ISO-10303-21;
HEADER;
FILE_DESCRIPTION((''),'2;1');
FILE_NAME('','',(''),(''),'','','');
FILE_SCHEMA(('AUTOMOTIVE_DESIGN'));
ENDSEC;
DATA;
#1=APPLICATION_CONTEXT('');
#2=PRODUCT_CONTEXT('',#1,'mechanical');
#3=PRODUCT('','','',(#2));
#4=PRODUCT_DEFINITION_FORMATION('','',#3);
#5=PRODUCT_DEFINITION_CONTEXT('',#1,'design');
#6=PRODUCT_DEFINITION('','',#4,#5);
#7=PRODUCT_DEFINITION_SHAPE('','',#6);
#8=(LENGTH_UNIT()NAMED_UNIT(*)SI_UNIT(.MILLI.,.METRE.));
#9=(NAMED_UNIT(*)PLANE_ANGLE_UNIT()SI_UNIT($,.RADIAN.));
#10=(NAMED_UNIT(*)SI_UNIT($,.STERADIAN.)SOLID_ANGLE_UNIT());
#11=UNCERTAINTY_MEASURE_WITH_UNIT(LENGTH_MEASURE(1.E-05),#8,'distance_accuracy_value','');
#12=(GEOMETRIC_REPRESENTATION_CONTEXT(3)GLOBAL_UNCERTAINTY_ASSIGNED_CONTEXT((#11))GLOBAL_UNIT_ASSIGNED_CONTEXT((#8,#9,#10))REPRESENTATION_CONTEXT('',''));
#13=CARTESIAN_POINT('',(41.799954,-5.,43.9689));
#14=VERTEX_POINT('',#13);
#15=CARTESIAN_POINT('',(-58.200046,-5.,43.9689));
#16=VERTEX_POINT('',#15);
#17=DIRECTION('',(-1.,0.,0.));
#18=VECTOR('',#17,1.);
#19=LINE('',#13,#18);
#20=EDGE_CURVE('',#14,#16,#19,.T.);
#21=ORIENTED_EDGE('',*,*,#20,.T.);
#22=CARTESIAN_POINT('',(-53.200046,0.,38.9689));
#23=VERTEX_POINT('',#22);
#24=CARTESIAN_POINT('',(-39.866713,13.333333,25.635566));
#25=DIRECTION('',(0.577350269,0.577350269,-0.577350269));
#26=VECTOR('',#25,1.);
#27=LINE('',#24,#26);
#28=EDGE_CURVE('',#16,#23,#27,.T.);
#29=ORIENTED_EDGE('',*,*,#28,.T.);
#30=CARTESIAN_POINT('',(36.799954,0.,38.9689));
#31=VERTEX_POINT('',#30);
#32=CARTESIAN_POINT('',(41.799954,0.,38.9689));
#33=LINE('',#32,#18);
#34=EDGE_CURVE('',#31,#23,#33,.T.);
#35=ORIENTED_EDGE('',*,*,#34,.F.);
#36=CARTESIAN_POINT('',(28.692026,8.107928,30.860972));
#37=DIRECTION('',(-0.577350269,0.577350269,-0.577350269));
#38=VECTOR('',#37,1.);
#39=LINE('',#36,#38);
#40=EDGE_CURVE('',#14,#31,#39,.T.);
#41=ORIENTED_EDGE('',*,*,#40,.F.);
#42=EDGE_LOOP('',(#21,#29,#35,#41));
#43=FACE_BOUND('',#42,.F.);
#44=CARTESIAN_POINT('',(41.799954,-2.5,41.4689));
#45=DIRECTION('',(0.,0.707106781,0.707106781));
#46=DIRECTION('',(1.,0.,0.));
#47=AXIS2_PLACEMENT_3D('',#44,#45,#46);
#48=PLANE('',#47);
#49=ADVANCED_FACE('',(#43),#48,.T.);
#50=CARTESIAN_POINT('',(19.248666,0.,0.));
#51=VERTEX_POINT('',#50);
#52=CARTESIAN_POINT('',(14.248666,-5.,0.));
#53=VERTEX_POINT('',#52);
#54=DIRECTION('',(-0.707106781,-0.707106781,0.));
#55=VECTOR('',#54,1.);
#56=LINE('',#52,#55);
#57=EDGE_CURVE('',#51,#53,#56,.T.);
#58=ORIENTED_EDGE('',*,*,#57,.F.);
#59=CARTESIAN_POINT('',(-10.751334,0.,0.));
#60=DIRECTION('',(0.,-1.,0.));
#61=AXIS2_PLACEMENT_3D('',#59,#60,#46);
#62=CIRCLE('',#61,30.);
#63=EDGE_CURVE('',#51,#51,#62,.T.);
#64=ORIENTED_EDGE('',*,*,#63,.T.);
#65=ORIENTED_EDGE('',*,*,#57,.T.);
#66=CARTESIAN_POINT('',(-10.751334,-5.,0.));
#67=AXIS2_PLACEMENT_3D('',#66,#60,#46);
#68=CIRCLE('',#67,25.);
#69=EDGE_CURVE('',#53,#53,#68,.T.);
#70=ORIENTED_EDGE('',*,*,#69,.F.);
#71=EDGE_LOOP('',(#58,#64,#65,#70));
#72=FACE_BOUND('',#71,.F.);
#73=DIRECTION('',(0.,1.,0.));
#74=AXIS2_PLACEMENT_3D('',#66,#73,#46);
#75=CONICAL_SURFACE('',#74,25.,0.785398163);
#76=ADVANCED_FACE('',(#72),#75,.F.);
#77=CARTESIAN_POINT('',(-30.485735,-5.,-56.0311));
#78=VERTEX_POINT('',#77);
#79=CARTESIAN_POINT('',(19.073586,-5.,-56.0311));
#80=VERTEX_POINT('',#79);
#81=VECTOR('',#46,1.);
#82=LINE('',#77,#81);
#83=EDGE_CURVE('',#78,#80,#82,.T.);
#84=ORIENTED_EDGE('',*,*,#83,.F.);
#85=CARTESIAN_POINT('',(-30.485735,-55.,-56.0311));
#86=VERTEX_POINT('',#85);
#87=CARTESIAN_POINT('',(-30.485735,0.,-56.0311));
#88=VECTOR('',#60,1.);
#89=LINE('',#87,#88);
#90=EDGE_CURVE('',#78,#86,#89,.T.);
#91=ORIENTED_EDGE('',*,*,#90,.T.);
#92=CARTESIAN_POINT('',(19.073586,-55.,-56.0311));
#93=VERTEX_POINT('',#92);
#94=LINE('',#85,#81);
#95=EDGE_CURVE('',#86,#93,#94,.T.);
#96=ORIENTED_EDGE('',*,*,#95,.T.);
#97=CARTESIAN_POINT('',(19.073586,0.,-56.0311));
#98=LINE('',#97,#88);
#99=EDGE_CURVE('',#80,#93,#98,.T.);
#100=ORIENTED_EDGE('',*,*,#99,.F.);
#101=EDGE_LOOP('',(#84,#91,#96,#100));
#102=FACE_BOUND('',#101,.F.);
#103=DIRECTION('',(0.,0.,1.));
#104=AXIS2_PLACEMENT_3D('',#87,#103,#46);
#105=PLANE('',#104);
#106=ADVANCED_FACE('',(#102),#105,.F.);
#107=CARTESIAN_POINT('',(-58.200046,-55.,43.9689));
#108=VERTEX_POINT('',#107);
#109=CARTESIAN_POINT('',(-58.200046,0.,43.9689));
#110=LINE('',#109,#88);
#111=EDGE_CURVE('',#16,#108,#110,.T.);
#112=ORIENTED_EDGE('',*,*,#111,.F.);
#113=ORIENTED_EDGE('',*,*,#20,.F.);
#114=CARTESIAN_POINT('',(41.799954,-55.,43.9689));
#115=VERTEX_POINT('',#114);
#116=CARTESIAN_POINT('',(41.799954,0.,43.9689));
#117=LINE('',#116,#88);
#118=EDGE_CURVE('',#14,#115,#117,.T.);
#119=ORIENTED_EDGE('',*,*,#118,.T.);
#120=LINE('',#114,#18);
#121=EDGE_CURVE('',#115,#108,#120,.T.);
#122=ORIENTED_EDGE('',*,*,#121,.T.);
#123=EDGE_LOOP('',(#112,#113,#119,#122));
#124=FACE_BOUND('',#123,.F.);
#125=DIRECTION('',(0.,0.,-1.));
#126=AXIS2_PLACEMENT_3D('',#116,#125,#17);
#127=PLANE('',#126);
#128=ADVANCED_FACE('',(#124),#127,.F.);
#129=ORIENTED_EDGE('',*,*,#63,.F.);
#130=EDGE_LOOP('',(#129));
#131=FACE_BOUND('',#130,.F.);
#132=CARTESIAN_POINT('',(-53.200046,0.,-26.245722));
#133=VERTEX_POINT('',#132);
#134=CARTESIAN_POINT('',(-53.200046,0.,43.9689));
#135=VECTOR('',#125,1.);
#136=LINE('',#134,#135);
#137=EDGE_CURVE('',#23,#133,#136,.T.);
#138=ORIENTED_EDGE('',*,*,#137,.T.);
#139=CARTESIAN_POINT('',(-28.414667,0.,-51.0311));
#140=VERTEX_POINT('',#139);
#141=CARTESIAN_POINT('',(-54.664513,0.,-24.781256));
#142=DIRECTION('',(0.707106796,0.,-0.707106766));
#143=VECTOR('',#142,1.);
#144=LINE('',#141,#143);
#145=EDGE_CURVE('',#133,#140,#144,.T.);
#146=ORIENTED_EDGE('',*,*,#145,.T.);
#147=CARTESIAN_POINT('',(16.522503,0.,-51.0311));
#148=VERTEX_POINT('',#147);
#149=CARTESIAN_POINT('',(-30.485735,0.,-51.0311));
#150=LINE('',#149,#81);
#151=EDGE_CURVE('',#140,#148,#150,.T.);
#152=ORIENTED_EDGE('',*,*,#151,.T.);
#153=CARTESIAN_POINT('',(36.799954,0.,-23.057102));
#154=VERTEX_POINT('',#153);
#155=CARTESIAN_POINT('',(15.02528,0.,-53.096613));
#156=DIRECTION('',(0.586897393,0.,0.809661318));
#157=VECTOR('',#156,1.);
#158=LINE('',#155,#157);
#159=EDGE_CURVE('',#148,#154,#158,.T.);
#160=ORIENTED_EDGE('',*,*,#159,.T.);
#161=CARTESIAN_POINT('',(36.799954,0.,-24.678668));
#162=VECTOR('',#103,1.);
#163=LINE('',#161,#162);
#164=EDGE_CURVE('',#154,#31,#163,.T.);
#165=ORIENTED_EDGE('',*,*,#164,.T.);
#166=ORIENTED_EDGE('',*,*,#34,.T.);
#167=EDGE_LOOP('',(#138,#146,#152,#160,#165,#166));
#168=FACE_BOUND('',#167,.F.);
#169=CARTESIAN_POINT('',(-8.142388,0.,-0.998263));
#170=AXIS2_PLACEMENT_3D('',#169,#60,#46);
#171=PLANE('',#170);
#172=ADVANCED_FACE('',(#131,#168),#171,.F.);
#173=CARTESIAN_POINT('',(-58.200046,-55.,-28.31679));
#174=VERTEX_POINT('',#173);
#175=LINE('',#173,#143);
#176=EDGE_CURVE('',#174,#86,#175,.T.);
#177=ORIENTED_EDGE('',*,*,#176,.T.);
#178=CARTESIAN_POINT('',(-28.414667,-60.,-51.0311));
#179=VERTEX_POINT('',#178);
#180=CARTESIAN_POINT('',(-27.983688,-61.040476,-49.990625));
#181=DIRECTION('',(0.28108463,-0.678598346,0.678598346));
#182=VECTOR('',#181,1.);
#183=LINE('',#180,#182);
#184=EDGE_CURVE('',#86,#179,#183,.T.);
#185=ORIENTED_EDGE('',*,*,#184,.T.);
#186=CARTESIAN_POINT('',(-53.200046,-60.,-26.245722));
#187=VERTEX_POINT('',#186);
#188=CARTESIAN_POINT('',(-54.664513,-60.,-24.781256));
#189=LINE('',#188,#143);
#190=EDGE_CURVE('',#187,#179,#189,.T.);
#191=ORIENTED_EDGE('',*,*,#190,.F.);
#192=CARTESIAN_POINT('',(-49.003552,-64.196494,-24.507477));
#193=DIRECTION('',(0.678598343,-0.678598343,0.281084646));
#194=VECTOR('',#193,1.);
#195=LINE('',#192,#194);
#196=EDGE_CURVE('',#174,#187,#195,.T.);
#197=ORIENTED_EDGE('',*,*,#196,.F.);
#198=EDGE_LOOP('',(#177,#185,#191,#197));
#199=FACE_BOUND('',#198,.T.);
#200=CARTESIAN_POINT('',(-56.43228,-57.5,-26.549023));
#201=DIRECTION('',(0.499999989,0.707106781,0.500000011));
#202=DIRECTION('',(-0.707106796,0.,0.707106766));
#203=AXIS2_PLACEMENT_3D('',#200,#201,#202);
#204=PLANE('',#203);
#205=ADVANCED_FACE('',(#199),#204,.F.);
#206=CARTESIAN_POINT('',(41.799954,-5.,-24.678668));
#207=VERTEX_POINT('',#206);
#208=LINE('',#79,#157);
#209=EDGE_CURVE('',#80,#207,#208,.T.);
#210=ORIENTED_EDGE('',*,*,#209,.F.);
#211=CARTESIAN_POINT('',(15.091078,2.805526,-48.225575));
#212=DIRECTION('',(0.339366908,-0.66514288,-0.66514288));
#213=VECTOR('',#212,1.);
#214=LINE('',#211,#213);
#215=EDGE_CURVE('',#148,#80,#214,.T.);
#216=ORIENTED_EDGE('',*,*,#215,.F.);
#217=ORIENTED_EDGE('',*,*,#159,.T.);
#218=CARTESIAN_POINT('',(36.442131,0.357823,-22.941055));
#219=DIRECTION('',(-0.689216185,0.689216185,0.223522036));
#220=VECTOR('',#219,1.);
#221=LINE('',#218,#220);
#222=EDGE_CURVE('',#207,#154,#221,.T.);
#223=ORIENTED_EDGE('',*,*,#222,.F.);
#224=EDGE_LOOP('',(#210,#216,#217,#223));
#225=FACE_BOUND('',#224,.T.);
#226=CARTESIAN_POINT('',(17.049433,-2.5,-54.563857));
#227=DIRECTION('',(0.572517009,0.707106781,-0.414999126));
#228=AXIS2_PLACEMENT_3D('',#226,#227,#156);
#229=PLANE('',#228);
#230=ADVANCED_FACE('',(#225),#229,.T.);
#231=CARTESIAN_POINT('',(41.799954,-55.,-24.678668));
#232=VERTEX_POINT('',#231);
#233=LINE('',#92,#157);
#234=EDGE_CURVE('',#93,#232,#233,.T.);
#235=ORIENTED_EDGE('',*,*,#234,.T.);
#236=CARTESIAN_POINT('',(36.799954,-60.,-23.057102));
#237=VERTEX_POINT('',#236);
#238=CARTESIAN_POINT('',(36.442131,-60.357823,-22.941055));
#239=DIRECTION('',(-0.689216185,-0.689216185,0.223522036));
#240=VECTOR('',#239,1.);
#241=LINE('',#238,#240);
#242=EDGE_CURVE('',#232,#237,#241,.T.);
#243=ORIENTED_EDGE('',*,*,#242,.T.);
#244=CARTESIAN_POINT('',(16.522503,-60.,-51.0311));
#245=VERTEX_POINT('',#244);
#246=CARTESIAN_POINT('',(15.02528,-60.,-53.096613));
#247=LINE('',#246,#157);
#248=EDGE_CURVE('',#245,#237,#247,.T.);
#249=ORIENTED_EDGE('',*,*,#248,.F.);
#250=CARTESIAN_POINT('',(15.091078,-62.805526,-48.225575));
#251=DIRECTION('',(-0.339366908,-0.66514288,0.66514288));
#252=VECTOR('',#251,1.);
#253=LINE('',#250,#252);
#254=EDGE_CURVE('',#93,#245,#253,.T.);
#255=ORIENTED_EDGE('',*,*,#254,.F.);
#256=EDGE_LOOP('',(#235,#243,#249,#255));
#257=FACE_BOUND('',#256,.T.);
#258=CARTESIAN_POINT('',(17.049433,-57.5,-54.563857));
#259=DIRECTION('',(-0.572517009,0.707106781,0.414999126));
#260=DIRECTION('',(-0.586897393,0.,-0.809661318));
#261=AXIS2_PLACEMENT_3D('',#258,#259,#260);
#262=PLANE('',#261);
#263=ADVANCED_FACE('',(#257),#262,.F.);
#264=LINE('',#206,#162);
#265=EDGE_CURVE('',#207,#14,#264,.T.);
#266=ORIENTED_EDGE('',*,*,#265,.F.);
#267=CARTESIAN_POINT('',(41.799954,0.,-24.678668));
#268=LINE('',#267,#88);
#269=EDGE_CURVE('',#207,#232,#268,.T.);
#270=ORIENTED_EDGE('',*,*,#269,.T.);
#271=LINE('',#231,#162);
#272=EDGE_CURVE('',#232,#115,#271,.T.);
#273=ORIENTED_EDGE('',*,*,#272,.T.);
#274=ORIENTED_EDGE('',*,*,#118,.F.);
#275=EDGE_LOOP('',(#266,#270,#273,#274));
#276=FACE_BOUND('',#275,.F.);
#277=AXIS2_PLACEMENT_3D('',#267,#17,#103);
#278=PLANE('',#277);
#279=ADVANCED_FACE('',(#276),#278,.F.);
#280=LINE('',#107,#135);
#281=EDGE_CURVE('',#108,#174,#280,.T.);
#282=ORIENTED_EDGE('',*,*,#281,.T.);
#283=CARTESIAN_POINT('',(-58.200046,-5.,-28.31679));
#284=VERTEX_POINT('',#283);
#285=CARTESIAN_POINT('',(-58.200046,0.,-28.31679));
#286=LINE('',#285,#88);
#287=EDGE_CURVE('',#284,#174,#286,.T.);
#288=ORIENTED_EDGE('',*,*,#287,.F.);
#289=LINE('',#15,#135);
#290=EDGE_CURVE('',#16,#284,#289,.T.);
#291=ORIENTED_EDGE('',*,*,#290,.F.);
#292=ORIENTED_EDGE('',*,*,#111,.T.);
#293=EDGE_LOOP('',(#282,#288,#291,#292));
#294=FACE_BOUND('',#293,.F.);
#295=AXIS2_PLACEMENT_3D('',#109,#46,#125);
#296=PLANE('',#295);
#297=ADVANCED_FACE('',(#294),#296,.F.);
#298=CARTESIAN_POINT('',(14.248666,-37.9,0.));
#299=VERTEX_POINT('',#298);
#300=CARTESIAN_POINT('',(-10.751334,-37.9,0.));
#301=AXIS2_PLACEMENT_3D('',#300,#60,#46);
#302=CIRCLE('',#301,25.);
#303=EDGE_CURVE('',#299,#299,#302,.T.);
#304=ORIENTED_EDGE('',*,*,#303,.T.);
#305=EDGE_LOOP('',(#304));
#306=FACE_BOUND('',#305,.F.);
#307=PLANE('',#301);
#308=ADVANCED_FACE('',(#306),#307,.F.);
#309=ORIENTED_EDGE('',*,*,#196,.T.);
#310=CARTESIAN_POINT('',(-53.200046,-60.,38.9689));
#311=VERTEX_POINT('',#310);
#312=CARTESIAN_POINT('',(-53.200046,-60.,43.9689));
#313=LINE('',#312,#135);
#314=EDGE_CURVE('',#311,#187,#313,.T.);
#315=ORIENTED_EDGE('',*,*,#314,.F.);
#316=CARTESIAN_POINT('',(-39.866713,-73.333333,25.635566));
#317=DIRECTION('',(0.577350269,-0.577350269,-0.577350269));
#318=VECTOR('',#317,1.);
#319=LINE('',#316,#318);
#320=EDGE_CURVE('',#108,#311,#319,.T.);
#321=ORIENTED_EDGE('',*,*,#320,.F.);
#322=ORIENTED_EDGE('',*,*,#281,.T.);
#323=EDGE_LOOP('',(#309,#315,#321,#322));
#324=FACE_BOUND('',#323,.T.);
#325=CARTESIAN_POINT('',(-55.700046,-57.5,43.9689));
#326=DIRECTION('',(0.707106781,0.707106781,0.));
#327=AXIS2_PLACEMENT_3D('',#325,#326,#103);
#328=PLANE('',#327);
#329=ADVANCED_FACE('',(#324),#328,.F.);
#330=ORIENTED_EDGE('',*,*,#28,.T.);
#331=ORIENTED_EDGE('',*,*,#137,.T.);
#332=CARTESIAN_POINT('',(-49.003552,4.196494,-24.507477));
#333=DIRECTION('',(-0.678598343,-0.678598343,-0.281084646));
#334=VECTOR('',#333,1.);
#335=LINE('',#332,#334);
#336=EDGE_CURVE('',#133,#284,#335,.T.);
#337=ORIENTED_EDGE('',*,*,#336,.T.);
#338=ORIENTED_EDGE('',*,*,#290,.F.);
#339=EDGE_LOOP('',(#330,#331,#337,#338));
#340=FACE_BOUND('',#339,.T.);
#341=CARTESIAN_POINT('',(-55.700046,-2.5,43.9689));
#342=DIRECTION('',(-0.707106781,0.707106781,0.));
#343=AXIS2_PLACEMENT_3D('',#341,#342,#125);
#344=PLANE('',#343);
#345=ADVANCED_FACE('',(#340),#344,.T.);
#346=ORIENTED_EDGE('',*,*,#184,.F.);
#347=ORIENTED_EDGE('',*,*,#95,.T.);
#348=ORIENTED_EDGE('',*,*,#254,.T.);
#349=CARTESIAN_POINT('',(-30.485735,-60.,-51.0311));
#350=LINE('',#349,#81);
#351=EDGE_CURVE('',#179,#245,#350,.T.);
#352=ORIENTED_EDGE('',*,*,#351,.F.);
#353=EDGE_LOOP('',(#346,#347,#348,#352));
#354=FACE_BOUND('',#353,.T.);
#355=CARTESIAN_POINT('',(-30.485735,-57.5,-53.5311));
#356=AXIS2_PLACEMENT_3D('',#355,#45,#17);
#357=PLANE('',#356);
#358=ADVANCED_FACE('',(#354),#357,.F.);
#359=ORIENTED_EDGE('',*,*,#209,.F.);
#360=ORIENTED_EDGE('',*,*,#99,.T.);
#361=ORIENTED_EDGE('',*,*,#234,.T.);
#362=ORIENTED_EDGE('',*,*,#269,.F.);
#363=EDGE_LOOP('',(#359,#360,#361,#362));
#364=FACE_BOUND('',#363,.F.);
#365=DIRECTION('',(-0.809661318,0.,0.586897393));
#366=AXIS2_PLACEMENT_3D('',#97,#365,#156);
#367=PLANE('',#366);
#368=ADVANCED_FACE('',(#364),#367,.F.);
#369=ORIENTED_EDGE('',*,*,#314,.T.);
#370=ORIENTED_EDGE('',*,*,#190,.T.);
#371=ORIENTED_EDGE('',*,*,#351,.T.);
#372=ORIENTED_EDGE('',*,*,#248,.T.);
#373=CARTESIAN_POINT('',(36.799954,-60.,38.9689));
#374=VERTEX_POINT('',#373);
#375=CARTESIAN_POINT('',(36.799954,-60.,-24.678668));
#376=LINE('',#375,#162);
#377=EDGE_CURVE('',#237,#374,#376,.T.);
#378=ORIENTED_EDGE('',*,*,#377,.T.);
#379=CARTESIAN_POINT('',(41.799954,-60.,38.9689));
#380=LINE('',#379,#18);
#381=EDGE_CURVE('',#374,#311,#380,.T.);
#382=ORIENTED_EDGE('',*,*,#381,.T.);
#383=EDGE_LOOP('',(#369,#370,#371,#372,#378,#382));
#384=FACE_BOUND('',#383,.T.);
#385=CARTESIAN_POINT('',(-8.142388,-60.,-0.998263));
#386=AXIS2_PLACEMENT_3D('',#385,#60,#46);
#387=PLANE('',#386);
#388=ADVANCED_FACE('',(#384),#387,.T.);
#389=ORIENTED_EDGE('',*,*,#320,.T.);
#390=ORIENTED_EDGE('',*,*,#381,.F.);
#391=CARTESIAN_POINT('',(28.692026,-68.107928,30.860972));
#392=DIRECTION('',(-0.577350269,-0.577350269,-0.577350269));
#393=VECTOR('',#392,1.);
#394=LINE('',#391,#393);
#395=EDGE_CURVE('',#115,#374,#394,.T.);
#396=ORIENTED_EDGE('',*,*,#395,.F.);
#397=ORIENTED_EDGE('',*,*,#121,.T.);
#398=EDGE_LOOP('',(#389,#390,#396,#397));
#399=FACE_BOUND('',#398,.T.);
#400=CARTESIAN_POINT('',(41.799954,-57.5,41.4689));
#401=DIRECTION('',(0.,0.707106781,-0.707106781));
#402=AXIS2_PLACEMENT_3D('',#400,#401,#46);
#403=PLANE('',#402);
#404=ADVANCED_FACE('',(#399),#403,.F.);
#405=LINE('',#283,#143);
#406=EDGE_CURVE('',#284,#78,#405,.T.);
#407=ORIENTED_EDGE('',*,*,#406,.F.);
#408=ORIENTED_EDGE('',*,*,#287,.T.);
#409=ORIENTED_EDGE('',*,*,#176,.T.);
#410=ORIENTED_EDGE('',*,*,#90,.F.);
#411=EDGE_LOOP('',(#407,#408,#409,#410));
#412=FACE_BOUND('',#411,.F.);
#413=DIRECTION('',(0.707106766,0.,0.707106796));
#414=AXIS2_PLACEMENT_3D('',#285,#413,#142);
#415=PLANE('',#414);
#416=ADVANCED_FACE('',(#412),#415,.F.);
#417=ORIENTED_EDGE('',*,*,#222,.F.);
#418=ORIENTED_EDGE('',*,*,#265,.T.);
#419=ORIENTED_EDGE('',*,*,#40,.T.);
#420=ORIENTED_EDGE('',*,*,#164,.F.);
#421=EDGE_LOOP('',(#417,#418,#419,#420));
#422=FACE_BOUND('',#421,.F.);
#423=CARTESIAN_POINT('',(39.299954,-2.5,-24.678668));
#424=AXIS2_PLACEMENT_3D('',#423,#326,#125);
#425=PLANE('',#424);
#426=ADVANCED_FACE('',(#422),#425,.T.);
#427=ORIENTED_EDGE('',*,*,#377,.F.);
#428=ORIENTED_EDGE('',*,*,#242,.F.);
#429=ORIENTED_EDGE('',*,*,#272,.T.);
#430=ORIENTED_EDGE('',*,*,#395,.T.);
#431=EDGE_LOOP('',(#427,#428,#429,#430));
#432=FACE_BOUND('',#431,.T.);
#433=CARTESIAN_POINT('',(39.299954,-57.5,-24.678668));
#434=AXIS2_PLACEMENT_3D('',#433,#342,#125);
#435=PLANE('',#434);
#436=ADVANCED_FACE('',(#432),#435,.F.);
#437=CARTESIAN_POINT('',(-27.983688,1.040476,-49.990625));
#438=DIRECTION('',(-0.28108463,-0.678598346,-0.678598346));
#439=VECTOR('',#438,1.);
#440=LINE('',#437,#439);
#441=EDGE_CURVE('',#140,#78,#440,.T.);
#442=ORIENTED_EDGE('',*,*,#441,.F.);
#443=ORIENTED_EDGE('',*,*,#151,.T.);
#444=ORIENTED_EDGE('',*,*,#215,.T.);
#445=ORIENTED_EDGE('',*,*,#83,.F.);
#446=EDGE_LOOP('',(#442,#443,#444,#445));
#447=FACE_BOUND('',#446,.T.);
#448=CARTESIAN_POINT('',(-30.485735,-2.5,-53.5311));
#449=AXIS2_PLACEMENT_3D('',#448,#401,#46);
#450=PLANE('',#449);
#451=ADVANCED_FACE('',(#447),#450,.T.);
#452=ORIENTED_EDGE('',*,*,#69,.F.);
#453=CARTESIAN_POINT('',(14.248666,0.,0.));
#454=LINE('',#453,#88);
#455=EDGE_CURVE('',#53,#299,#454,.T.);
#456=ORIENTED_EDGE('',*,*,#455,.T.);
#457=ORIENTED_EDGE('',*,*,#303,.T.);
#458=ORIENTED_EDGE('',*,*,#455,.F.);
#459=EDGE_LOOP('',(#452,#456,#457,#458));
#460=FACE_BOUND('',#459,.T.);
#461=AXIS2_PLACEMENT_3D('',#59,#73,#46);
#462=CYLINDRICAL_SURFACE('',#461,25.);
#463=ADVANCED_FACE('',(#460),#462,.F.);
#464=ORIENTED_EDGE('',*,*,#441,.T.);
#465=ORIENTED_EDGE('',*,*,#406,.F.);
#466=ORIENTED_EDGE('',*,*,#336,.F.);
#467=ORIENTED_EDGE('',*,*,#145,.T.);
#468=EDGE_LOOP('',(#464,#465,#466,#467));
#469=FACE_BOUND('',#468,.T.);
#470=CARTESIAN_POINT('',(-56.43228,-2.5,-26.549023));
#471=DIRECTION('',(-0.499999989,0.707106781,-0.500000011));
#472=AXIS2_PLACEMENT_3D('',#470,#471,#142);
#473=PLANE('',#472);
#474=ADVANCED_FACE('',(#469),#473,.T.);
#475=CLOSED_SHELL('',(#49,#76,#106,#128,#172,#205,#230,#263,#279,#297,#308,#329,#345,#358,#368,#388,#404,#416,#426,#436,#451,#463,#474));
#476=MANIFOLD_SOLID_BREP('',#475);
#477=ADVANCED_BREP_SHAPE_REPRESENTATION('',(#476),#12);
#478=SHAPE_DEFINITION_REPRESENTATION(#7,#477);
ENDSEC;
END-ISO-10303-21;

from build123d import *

# Parameters (mm, degrees)
F1_DEPTH = 60
F2_SIZE  = 5
F3_R     = 25
F4_DEPTH = 25
F5_DEPTH = 25
F6_DEPTH = 37.9
F7_SIZE  = 5


with BuildPart() as f1:
    # F0 (on Front) → F1 (new body)
    with BuildSketch(Plane.XZ):
        Polygon((41.7999535799, 43.9688995481), (-58.2000464201, 43.9688995481), (-58.2000464201, -28.3167899087), (-30.4857346934, -56.0311004519), (19.0735861891, -56.0311004519), (41.7999535799, -24.6786684919), align=None)
    extrude(amount=F1_DEPTH)

    # F2
    f2_edges = [f1.edges().sort_by_distance(p)[0] for p in [
        (41.799954, -60, 9.645116),
        (-8.200046, -60, 43.9689),
        (-58.200046, -60, 7.826055),
        (-44.342891, -60, -42.173945),
        (-5.706074, -60, -56.0311),
        (30.43677, -60, -40.354884),
    ]]
    chamfer(f2_edges, length=F2_SIZE)

    # F3 (on Front) → F4 (cut)
    with BuildSketch(Plane.XZ):
        with Locations((-10.7513342236, 0)):
            Circle(F3_R)
    extrude(amount=-F4_DEPTH, mode=Mode.SUBTRACT)

    # F3 (on Front) → F5 (cut)
    with BuildSketch(Plane.XZ):
        with Locations((-10.7513342236, 0)):
            Circle(F3_R)
    extrude(amount=-F5_DEPTH, mode=Mode.SUBTRACT)

    # F3 (on Front) → F6 (cut)
    with BuildSketch(Plane.XZ):
        with Locations((-10.7513342236, 0)):
            Circle(F3_R)
    extrude(amount=F6_DEPTH, mode=Mode.SUBTRACT)

    # F7
    f7_edges = [f1.edges().sort_by_distance(p)[0] for p in [
        (41.799954, 0, 9.645116),
        (30.43677, 0, -40.354884),
        (-8.200046, 0, 43.9689),
        (-5.706074, 0, -56.0311),
        (-58.200046, 0, 7.826055),
        (-44.342891, 0, -42.173945),
        (-35.751334, 0, 0),
    ]]
    chamfer(f7_edges, length=F7_SIZE)


solid = f1.part
